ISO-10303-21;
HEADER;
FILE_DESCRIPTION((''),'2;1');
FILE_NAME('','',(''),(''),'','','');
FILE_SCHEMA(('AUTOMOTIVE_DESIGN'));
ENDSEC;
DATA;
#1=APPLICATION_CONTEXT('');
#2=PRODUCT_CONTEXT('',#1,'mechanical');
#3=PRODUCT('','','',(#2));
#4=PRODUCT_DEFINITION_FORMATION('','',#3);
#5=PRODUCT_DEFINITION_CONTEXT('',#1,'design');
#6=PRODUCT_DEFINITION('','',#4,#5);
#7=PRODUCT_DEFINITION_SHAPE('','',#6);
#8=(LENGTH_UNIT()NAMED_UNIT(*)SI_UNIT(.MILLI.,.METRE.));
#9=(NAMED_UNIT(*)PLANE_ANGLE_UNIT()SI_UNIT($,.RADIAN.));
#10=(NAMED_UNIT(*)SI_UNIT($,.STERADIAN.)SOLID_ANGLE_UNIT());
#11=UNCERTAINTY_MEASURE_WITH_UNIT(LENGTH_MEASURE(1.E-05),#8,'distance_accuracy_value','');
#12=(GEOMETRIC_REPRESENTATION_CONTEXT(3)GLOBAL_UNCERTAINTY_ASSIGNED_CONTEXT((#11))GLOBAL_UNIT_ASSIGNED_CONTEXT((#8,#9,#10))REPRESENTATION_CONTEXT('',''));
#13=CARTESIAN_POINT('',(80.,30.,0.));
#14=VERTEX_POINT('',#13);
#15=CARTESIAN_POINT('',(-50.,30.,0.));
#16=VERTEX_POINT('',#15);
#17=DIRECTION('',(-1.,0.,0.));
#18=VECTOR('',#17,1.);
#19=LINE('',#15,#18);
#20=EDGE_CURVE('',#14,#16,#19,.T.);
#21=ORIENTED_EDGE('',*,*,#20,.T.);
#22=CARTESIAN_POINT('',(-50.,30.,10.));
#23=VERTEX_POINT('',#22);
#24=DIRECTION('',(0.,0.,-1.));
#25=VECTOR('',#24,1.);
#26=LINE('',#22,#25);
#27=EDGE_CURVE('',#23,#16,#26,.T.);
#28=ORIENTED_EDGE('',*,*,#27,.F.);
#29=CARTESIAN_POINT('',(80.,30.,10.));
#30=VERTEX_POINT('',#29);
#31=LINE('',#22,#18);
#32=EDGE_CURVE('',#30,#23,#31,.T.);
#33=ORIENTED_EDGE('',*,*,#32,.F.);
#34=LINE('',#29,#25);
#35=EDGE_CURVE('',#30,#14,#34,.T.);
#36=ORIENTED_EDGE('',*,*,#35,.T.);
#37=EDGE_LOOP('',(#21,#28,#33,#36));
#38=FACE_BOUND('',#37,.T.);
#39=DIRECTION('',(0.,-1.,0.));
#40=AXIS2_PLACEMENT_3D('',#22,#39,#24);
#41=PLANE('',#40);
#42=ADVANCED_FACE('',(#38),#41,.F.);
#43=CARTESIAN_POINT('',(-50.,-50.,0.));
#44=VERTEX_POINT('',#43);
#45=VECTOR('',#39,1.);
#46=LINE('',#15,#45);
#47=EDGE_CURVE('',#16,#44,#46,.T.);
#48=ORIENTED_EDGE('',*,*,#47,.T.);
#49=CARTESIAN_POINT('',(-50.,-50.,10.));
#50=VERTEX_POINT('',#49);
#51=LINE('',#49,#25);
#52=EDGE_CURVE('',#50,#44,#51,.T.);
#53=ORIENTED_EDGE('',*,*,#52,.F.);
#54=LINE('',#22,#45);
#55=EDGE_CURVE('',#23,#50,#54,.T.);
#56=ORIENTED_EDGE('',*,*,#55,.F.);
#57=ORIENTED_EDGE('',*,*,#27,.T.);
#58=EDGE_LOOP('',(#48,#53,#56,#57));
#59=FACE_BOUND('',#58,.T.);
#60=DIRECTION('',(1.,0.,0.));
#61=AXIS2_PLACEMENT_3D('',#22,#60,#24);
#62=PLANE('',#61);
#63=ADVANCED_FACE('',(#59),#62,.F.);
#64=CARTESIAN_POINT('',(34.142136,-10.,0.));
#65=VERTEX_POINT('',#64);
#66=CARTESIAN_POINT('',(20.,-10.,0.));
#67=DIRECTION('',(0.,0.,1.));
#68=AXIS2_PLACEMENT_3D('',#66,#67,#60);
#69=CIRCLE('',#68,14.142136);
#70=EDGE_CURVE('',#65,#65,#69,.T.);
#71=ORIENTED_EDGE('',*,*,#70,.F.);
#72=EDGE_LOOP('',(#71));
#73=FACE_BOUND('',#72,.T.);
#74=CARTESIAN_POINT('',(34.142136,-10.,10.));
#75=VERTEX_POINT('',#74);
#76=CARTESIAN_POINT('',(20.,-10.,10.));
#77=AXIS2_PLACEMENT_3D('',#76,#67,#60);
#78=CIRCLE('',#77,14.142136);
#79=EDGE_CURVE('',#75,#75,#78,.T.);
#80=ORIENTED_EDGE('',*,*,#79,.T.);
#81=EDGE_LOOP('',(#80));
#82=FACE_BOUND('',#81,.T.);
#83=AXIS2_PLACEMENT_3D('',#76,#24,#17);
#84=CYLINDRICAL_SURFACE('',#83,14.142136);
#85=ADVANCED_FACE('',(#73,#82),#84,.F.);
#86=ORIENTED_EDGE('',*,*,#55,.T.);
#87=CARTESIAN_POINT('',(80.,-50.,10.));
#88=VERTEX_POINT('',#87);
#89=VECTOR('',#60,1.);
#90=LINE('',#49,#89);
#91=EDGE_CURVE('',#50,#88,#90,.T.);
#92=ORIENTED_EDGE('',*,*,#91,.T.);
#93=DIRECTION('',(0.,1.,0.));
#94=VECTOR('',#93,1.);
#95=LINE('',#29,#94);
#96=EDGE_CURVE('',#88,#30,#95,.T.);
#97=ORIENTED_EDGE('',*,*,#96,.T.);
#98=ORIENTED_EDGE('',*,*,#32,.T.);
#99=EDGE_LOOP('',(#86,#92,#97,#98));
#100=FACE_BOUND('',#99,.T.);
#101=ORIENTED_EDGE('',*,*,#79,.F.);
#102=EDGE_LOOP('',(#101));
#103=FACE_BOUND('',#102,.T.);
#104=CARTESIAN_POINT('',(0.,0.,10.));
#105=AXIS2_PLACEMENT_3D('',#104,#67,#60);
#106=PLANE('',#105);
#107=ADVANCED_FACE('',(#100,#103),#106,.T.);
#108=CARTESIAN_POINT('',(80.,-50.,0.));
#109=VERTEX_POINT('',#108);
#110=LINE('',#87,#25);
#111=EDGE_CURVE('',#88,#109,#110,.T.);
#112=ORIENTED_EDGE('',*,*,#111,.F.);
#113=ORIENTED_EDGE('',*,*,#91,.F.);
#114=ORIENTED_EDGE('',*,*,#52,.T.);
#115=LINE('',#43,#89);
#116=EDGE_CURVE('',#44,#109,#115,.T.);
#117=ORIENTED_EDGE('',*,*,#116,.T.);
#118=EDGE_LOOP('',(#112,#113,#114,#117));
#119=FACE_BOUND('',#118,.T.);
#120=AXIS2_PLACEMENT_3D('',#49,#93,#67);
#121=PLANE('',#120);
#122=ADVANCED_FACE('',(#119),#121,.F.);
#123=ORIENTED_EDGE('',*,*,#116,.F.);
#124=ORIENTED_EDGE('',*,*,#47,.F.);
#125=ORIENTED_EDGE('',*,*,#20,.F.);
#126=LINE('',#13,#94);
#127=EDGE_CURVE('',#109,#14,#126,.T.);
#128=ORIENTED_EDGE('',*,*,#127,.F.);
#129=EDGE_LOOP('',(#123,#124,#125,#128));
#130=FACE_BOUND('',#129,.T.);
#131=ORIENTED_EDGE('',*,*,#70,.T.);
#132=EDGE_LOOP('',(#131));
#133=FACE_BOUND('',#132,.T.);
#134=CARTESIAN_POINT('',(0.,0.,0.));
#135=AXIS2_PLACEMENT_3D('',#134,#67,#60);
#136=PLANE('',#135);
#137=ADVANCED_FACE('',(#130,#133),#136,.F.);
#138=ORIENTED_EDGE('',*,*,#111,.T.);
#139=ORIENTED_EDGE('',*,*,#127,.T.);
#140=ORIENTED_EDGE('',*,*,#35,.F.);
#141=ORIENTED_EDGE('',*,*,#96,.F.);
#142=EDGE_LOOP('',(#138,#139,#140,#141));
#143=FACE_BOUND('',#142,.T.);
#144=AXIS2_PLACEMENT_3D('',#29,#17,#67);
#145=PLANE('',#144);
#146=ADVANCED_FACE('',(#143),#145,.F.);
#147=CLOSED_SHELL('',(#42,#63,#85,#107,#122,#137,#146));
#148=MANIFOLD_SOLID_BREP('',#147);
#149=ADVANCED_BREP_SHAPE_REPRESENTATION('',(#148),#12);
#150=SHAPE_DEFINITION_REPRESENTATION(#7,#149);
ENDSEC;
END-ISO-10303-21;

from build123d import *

# Parameters (mm, degrees)
SKETCH_1_W      = 130
SKETCH_1_H      = 80
SKETCH_1_R      = 14.142135624
EXTRUDE_1_DEPTH = 10


with BuildPart() as part:
    # 草图1 → 凸台-拉伸1 (new body)
    with BuildSketch(Plane.XY):
        with Locations((15, -10)):
            Rectangle(SKETCH_1_W, SKETCH_1_H)
        with Locations((20, -10)):
            Circle(SKETCH_1_R, mode=Mode.SUBTRACT)
    extrude(amount=EXTRUDE_1_DEPTH)


solid = part.part
